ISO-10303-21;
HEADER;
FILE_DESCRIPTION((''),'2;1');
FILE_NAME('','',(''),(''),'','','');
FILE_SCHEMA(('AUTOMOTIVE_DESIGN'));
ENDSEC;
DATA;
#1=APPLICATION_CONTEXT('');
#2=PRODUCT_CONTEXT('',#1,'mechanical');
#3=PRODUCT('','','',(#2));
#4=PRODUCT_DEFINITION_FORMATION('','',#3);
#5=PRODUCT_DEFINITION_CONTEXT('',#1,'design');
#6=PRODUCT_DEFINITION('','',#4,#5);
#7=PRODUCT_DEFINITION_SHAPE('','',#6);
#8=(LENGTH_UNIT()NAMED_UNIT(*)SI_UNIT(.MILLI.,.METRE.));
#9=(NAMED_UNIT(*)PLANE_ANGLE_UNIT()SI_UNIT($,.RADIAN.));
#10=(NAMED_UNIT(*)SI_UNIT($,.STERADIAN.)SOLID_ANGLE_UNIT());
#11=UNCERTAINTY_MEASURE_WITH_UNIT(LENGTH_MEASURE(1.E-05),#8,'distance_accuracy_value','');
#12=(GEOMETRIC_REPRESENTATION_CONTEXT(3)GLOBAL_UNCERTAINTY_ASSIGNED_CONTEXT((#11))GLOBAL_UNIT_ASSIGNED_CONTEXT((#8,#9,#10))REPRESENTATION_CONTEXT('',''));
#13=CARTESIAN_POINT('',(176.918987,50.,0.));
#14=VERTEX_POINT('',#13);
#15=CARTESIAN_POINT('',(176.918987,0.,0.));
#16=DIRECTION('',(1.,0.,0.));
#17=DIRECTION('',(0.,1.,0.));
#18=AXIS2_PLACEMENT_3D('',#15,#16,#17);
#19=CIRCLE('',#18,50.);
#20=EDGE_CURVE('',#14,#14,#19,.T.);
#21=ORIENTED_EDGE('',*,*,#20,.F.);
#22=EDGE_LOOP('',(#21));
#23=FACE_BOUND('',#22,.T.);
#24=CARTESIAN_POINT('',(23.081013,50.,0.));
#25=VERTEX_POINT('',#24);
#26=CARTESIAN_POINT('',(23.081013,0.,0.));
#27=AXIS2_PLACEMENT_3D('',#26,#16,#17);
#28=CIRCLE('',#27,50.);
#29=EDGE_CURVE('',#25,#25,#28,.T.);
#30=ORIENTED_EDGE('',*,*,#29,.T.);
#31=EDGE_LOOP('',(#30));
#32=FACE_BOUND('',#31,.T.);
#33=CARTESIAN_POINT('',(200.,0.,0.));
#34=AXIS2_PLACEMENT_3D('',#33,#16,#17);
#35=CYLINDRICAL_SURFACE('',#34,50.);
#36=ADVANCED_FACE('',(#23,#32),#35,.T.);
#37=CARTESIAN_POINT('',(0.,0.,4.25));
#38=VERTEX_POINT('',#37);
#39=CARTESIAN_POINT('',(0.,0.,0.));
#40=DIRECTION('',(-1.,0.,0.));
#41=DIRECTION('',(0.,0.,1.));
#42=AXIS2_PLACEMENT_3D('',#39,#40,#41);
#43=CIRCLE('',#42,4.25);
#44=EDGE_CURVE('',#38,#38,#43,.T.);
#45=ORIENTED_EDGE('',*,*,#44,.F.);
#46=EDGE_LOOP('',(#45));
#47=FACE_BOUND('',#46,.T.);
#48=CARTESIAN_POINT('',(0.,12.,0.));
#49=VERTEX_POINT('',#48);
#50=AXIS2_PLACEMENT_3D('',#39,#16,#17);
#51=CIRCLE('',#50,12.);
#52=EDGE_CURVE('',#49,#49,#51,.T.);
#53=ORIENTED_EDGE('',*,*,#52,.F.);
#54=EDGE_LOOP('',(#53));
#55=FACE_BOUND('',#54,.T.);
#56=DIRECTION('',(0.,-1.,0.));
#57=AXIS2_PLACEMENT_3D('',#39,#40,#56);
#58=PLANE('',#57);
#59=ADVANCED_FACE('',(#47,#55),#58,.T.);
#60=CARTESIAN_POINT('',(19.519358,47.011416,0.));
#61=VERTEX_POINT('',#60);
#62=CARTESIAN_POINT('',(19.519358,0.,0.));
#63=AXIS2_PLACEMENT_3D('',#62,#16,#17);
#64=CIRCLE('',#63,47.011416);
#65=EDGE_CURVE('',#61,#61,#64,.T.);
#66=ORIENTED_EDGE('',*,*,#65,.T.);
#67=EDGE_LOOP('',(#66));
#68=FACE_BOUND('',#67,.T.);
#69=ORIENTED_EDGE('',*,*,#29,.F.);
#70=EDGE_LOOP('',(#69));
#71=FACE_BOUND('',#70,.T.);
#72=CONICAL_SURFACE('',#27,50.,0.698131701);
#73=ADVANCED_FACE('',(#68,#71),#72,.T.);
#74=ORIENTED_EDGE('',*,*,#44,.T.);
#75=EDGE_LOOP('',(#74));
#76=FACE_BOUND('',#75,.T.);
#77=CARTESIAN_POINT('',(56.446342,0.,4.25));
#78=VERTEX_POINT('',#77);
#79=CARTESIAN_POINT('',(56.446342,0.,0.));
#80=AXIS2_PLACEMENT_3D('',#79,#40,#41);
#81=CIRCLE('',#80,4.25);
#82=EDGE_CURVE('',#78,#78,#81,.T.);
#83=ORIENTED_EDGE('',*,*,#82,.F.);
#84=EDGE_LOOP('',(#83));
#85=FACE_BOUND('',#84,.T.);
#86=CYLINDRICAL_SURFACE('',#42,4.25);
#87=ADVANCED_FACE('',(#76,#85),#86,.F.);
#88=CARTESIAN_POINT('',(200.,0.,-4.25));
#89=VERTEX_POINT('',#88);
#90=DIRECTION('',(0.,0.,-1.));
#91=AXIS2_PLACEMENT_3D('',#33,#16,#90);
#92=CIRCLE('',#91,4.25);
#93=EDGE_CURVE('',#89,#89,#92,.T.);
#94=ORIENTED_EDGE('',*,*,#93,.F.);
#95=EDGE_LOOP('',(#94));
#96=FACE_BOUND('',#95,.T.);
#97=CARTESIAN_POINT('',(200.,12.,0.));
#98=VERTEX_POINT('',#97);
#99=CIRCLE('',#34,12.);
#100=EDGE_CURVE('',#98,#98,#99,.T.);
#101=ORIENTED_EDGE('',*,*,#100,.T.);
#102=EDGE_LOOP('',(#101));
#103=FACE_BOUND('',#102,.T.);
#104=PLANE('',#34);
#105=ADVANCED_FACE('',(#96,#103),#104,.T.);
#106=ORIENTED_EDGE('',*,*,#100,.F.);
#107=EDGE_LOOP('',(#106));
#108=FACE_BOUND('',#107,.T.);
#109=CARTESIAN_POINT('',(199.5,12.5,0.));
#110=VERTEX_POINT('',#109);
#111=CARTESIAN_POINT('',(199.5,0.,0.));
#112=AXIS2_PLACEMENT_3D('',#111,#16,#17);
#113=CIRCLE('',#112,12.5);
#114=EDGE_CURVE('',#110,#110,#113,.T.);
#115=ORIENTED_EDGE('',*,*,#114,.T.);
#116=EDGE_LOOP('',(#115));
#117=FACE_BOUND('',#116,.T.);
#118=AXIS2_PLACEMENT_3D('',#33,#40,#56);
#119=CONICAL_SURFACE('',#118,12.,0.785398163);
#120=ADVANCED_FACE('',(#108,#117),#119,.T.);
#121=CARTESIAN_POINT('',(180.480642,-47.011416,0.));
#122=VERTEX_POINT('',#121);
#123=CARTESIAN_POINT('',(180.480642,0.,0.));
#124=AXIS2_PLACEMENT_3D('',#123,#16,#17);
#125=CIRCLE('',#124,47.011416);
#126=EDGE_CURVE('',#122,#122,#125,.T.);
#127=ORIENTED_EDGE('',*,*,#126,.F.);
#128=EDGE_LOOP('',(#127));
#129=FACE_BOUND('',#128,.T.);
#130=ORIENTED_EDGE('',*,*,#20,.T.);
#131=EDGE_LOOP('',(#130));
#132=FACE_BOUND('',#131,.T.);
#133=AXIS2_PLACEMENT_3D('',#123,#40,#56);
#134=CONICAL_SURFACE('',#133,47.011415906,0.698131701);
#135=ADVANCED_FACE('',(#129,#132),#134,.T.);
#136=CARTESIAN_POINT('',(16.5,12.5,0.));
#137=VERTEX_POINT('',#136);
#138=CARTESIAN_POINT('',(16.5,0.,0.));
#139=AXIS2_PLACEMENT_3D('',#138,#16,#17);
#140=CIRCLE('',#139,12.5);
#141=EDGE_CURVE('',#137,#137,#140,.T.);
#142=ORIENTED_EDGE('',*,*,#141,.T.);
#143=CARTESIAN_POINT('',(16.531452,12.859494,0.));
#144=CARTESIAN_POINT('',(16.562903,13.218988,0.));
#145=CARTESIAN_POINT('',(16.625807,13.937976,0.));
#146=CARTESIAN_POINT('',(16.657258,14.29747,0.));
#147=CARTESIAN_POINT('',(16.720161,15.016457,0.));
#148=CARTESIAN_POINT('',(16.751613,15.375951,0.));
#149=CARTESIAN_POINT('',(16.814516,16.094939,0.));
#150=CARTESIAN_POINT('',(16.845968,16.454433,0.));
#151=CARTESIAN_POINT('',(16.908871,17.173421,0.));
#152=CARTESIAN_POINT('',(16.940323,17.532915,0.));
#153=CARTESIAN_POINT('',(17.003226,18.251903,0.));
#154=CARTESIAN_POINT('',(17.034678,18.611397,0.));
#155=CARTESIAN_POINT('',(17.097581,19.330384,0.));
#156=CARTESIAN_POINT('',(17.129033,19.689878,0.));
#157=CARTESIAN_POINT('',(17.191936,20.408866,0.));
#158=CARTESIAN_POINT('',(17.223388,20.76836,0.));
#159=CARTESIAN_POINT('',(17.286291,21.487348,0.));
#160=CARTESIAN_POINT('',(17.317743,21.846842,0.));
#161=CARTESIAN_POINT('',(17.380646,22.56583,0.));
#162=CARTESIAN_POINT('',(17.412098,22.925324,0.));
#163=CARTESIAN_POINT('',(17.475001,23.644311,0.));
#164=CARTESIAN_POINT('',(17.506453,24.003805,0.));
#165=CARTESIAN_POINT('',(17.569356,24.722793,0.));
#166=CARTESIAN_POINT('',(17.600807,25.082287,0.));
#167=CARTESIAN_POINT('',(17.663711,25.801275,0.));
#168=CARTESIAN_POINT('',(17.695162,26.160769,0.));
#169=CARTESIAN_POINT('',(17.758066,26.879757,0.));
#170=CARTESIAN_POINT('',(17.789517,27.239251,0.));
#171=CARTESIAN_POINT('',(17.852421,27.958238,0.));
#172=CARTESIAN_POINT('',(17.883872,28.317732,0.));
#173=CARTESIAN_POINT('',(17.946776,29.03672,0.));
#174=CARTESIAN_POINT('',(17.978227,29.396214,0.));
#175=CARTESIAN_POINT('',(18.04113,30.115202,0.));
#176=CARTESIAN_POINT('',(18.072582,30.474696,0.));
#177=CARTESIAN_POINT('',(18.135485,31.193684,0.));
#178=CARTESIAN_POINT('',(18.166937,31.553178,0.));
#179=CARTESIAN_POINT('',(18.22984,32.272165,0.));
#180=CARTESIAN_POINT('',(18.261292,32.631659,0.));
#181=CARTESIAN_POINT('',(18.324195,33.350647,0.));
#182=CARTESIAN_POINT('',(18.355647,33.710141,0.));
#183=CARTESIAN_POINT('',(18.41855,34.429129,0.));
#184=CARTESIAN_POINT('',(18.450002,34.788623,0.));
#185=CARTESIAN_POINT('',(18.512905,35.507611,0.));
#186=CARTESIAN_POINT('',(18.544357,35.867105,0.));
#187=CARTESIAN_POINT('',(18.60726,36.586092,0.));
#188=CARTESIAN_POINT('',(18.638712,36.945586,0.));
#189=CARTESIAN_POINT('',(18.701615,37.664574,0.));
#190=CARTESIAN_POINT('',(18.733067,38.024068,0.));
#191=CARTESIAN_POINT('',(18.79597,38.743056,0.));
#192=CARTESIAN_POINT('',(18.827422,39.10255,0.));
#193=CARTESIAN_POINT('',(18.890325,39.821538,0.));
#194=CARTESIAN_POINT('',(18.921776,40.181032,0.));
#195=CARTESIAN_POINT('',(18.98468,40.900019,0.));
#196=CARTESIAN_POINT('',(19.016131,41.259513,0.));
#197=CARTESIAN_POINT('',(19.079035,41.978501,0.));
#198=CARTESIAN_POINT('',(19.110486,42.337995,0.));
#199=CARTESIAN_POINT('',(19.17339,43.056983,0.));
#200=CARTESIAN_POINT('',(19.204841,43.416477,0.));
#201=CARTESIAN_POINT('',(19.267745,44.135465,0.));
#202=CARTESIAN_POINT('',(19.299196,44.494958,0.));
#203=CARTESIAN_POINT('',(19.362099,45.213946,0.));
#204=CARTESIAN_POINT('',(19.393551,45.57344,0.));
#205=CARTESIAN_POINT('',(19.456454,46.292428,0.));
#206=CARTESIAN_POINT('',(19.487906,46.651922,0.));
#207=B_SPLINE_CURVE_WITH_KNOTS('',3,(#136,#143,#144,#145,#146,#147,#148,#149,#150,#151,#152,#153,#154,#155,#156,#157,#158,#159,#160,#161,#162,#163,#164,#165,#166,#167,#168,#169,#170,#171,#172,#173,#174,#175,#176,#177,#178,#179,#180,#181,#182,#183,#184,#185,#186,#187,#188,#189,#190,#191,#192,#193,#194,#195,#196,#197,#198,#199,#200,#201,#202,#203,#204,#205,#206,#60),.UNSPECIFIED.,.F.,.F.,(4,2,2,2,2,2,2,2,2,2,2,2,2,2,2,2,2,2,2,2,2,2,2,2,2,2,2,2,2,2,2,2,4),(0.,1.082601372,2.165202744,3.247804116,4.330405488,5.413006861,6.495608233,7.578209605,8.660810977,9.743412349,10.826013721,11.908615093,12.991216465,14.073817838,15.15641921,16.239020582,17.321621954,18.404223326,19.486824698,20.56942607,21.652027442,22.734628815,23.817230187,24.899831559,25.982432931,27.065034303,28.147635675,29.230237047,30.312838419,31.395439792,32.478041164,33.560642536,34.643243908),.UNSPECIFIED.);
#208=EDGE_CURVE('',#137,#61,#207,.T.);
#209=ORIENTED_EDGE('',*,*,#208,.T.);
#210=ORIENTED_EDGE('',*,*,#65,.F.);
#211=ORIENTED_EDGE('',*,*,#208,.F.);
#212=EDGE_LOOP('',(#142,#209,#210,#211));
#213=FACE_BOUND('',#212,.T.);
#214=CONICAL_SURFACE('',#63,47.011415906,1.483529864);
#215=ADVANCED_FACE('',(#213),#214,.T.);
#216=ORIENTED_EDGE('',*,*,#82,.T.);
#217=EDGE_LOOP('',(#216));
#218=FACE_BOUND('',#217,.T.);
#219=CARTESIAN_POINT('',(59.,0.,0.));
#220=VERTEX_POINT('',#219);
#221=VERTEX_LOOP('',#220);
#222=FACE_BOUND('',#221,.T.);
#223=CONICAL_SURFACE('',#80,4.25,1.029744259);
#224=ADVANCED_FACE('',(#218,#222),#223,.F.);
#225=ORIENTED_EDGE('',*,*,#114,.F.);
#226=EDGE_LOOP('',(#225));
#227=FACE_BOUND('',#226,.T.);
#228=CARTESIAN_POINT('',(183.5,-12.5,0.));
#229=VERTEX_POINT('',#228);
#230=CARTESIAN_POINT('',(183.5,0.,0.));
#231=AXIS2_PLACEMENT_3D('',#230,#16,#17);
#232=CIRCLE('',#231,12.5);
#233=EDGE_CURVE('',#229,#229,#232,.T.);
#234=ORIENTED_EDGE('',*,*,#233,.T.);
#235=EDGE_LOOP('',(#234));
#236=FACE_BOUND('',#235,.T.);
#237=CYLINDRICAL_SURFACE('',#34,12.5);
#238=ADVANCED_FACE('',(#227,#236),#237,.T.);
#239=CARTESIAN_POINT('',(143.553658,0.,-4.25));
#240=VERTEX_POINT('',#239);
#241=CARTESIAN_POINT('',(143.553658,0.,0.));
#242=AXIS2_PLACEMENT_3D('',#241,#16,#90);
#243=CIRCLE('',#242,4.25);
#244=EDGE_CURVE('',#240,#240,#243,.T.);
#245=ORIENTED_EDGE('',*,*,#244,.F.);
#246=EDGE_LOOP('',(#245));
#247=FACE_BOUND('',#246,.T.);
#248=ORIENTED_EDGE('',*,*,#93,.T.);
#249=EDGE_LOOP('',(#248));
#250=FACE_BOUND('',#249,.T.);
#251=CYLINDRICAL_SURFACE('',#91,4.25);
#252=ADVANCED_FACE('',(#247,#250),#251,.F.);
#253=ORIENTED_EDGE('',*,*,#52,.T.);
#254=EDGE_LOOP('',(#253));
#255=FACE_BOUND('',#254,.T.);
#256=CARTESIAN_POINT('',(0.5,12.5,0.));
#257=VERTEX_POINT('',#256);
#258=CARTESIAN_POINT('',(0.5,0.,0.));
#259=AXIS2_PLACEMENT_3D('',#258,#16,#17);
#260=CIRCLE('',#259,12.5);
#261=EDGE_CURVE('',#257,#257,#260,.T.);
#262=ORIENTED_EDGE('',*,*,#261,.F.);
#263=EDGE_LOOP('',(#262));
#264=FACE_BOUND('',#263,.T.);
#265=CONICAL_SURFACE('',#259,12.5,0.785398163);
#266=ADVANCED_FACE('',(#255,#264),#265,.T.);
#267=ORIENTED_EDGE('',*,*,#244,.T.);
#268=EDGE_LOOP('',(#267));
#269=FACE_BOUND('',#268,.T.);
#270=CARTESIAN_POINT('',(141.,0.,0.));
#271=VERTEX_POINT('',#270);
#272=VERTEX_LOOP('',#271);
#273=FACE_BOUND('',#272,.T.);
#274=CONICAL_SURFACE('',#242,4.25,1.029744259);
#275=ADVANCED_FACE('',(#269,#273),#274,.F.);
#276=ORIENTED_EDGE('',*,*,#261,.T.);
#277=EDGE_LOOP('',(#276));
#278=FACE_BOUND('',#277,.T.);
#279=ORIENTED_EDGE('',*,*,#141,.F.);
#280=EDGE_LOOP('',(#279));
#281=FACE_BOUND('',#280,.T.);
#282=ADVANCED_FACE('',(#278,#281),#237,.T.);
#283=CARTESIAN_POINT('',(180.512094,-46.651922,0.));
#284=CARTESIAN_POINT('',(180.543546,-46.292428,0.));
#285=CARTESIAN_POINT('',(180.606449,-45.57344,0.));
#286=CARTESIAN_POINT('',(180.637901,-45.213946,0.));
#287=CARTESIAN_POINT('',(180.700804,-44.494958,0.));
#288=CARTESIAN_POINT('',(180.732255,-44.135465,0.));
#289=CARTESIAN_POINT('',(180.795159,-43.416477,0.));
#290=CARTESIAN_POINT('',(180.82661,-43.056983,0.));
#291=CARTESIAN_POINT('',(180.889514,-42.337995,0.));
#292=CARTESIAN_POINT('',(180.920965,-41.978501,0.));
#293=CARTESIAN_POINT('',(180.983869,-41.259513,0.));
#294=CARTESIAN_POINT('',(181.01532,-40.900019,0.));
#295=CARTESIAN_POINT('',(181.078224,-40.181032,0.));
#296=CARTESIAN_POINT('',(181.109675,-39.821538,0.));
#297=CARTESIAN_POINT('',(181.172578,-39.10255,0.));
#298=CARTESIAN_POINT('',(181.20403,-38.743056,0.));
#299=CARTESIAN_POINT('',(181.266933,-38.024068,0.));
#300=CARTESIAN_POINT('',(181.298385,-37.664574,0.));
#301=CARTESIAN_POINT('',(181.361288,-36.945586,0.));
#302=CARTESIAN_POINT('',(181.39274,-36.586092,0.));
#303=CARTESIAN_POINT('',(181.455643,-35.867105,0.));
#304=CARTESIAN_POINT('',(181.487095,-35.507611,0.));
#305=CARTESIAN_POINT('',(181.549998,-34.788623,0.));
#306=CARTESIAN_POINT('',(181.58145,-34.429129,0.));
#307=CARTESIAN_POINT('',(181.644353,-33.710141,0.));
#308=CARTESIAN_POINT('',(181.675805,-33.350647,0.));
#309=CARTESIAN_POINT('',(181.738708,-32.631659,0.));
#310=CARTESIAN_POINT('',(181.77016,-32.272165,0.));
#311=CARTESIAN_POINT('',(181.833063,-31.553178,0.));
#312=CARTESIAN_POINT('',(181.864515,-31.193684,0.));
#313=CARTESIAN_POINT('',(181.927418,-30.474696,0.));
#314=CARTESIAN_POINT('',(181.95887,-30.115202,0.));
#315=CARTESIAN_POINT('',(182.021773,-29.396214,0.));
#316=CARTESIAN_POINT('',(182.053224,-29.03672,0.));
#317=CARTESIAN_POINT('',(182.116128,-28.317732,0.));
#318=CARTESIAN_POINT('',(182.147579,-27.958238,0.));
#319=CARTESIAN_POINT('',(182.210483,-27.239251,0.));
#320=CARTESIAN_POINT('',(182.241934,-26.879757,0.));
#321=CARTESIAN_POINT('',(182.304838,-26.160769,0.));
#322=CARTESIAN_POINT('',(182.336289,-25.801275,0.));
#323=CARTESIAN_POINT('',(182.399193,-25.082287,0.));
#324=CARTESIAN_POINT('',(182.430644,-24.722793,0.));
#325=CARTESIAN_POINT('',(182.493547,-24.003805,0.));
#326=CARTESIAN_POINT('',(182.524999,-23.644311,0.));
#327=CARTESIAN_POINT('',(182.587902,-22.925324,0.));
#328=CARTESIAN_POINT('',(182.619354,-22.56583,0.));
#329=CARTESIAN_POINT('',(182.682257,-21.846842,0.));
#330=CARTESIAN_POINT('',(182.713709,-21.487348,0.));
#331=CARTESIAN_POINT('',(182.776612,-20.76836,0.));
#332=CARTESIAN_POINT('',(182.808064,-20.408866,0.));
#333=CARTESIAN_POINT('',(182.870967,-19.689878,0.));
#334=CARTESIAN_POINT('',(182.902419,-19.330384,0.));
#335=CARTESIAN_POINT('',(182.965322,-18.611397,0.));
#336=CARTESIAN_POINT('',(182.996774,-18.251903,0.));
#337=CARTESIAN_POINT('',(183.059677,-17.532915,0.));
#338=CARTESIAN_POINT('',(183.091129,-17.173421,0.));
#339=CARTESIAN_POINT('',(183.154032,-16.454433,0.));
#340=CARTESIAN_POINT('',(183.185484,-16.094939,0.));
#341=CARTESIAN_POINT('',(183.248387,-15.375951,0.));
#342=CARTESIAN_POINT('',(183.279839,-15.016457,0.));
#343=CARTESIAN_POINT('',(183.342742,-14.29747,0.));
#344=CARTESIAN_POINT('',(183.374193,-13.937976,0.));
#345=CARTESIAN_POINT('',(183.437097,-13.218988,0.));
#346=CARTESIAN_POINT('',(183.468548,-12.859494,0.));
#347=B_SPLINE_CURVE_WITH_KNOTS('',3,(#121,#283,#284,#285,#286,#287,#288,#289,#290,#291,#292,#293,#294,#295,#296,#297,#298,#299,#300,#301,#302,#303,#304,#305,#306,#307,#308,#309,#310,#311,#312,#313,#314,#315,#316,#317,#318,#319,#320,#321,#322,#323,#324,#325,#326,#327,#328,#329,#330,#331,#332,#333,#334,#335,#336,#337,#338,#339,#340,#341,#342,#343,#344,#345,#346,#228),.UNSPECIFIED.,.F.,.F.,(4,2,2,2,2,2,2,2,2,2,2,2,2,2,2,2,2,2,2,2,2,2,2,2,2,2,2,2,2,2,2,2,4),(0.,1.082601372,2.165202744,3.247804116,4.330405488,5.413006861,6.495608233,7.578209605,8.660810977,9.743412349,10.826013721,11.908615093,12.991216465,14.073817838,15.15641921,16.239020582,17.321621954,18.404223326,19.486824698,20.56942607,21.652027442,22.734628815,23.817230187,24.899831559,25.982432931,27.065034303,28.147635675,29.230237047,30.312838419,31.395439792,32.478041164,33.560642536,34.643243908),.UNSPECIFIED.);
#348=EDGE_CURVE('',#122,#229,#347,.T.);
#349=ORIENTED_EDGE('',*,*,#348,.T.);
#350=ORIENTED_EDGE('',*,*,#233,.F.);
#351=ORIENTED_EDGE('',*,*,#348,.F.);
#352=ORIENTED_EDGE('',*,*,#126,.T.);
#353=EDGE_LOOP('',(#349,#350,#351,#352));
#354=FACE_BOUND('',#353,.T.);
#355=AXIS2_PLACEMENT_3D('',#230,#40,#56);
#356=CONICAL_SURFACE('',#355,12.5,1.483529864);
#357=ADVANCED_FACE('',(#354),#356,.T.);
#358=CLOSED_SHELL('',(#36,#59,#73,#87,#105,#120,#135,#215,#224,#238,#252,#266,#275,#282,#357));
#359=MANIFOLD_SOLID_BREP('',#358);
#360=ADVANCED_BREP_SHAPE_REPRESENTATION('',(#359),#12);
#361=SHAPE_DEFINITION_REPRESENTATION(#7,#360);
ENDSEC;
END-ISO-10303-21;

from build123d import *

# Parameters (mm, degrees)
TALADRO_ROSCADO_M102_D     = 8.5
TALADRO_ROSCADO_M102_DEPTH = 56.446342369
TALADRO_ROSCADO_M102_TIP   = 2.553657631


with BuildPart() as part:
    # Croquis1 → Revolución1 (revolve)
    with BuildSketch(Plane.XY):
        Polygon((0, 0), (0, 12), (0.5, 12.5), (16.5, 12.5), (19.519357654, 47.011415906), (23.081013485, 50), (176.918986515, 50), (180.480642346, 47.011415906), (183.5, 12.5), (199.5, 12.5), (200, 12), (200, 0), align=None)
    revolve(axis=Axis((200, 0, 0), (-1, 0, 0)))

    # Croquis4 → Taladro roscado M101 (revolve, cut)
    with BuildSketch(Plane(origin=(200, 0, 0), x_dir=(0, 0, -1), z_dir=(0, 1, 0))):
        Polygon((0, 0), (0, 59), (4.25, 56.446342369), (4.25, 0), align=None)
    revolve(axis=Axis((206.35, 0, 0), (-1, 0, 0)), mode=Mode.SUBTRACT)

    # Taladro roscado M102
    with Locations(Plane(origin=(0, 0, 0), x_dir=(0, -1, 0), z_dir=(-1, 0, 0))):
        with Locations((0, 0)):
            Hole(TALADRO_ROSCADO_M102_D / 2, depth=TALADRO_ROSCADO_M102_DEPTH)
            with Locations((0, 0, -(TALADRO_ROSCADO_M102_DEPTH + TALADRO_ROSCADO_M102_TIP / 2))):  # 118° drill point
                Cone(0, TALADRO_ROSCADO_M102_D / 2, TALADRO_ROSCADO_M102_TIP, mode=Mode.SUBTRACT)


solid = part.part
